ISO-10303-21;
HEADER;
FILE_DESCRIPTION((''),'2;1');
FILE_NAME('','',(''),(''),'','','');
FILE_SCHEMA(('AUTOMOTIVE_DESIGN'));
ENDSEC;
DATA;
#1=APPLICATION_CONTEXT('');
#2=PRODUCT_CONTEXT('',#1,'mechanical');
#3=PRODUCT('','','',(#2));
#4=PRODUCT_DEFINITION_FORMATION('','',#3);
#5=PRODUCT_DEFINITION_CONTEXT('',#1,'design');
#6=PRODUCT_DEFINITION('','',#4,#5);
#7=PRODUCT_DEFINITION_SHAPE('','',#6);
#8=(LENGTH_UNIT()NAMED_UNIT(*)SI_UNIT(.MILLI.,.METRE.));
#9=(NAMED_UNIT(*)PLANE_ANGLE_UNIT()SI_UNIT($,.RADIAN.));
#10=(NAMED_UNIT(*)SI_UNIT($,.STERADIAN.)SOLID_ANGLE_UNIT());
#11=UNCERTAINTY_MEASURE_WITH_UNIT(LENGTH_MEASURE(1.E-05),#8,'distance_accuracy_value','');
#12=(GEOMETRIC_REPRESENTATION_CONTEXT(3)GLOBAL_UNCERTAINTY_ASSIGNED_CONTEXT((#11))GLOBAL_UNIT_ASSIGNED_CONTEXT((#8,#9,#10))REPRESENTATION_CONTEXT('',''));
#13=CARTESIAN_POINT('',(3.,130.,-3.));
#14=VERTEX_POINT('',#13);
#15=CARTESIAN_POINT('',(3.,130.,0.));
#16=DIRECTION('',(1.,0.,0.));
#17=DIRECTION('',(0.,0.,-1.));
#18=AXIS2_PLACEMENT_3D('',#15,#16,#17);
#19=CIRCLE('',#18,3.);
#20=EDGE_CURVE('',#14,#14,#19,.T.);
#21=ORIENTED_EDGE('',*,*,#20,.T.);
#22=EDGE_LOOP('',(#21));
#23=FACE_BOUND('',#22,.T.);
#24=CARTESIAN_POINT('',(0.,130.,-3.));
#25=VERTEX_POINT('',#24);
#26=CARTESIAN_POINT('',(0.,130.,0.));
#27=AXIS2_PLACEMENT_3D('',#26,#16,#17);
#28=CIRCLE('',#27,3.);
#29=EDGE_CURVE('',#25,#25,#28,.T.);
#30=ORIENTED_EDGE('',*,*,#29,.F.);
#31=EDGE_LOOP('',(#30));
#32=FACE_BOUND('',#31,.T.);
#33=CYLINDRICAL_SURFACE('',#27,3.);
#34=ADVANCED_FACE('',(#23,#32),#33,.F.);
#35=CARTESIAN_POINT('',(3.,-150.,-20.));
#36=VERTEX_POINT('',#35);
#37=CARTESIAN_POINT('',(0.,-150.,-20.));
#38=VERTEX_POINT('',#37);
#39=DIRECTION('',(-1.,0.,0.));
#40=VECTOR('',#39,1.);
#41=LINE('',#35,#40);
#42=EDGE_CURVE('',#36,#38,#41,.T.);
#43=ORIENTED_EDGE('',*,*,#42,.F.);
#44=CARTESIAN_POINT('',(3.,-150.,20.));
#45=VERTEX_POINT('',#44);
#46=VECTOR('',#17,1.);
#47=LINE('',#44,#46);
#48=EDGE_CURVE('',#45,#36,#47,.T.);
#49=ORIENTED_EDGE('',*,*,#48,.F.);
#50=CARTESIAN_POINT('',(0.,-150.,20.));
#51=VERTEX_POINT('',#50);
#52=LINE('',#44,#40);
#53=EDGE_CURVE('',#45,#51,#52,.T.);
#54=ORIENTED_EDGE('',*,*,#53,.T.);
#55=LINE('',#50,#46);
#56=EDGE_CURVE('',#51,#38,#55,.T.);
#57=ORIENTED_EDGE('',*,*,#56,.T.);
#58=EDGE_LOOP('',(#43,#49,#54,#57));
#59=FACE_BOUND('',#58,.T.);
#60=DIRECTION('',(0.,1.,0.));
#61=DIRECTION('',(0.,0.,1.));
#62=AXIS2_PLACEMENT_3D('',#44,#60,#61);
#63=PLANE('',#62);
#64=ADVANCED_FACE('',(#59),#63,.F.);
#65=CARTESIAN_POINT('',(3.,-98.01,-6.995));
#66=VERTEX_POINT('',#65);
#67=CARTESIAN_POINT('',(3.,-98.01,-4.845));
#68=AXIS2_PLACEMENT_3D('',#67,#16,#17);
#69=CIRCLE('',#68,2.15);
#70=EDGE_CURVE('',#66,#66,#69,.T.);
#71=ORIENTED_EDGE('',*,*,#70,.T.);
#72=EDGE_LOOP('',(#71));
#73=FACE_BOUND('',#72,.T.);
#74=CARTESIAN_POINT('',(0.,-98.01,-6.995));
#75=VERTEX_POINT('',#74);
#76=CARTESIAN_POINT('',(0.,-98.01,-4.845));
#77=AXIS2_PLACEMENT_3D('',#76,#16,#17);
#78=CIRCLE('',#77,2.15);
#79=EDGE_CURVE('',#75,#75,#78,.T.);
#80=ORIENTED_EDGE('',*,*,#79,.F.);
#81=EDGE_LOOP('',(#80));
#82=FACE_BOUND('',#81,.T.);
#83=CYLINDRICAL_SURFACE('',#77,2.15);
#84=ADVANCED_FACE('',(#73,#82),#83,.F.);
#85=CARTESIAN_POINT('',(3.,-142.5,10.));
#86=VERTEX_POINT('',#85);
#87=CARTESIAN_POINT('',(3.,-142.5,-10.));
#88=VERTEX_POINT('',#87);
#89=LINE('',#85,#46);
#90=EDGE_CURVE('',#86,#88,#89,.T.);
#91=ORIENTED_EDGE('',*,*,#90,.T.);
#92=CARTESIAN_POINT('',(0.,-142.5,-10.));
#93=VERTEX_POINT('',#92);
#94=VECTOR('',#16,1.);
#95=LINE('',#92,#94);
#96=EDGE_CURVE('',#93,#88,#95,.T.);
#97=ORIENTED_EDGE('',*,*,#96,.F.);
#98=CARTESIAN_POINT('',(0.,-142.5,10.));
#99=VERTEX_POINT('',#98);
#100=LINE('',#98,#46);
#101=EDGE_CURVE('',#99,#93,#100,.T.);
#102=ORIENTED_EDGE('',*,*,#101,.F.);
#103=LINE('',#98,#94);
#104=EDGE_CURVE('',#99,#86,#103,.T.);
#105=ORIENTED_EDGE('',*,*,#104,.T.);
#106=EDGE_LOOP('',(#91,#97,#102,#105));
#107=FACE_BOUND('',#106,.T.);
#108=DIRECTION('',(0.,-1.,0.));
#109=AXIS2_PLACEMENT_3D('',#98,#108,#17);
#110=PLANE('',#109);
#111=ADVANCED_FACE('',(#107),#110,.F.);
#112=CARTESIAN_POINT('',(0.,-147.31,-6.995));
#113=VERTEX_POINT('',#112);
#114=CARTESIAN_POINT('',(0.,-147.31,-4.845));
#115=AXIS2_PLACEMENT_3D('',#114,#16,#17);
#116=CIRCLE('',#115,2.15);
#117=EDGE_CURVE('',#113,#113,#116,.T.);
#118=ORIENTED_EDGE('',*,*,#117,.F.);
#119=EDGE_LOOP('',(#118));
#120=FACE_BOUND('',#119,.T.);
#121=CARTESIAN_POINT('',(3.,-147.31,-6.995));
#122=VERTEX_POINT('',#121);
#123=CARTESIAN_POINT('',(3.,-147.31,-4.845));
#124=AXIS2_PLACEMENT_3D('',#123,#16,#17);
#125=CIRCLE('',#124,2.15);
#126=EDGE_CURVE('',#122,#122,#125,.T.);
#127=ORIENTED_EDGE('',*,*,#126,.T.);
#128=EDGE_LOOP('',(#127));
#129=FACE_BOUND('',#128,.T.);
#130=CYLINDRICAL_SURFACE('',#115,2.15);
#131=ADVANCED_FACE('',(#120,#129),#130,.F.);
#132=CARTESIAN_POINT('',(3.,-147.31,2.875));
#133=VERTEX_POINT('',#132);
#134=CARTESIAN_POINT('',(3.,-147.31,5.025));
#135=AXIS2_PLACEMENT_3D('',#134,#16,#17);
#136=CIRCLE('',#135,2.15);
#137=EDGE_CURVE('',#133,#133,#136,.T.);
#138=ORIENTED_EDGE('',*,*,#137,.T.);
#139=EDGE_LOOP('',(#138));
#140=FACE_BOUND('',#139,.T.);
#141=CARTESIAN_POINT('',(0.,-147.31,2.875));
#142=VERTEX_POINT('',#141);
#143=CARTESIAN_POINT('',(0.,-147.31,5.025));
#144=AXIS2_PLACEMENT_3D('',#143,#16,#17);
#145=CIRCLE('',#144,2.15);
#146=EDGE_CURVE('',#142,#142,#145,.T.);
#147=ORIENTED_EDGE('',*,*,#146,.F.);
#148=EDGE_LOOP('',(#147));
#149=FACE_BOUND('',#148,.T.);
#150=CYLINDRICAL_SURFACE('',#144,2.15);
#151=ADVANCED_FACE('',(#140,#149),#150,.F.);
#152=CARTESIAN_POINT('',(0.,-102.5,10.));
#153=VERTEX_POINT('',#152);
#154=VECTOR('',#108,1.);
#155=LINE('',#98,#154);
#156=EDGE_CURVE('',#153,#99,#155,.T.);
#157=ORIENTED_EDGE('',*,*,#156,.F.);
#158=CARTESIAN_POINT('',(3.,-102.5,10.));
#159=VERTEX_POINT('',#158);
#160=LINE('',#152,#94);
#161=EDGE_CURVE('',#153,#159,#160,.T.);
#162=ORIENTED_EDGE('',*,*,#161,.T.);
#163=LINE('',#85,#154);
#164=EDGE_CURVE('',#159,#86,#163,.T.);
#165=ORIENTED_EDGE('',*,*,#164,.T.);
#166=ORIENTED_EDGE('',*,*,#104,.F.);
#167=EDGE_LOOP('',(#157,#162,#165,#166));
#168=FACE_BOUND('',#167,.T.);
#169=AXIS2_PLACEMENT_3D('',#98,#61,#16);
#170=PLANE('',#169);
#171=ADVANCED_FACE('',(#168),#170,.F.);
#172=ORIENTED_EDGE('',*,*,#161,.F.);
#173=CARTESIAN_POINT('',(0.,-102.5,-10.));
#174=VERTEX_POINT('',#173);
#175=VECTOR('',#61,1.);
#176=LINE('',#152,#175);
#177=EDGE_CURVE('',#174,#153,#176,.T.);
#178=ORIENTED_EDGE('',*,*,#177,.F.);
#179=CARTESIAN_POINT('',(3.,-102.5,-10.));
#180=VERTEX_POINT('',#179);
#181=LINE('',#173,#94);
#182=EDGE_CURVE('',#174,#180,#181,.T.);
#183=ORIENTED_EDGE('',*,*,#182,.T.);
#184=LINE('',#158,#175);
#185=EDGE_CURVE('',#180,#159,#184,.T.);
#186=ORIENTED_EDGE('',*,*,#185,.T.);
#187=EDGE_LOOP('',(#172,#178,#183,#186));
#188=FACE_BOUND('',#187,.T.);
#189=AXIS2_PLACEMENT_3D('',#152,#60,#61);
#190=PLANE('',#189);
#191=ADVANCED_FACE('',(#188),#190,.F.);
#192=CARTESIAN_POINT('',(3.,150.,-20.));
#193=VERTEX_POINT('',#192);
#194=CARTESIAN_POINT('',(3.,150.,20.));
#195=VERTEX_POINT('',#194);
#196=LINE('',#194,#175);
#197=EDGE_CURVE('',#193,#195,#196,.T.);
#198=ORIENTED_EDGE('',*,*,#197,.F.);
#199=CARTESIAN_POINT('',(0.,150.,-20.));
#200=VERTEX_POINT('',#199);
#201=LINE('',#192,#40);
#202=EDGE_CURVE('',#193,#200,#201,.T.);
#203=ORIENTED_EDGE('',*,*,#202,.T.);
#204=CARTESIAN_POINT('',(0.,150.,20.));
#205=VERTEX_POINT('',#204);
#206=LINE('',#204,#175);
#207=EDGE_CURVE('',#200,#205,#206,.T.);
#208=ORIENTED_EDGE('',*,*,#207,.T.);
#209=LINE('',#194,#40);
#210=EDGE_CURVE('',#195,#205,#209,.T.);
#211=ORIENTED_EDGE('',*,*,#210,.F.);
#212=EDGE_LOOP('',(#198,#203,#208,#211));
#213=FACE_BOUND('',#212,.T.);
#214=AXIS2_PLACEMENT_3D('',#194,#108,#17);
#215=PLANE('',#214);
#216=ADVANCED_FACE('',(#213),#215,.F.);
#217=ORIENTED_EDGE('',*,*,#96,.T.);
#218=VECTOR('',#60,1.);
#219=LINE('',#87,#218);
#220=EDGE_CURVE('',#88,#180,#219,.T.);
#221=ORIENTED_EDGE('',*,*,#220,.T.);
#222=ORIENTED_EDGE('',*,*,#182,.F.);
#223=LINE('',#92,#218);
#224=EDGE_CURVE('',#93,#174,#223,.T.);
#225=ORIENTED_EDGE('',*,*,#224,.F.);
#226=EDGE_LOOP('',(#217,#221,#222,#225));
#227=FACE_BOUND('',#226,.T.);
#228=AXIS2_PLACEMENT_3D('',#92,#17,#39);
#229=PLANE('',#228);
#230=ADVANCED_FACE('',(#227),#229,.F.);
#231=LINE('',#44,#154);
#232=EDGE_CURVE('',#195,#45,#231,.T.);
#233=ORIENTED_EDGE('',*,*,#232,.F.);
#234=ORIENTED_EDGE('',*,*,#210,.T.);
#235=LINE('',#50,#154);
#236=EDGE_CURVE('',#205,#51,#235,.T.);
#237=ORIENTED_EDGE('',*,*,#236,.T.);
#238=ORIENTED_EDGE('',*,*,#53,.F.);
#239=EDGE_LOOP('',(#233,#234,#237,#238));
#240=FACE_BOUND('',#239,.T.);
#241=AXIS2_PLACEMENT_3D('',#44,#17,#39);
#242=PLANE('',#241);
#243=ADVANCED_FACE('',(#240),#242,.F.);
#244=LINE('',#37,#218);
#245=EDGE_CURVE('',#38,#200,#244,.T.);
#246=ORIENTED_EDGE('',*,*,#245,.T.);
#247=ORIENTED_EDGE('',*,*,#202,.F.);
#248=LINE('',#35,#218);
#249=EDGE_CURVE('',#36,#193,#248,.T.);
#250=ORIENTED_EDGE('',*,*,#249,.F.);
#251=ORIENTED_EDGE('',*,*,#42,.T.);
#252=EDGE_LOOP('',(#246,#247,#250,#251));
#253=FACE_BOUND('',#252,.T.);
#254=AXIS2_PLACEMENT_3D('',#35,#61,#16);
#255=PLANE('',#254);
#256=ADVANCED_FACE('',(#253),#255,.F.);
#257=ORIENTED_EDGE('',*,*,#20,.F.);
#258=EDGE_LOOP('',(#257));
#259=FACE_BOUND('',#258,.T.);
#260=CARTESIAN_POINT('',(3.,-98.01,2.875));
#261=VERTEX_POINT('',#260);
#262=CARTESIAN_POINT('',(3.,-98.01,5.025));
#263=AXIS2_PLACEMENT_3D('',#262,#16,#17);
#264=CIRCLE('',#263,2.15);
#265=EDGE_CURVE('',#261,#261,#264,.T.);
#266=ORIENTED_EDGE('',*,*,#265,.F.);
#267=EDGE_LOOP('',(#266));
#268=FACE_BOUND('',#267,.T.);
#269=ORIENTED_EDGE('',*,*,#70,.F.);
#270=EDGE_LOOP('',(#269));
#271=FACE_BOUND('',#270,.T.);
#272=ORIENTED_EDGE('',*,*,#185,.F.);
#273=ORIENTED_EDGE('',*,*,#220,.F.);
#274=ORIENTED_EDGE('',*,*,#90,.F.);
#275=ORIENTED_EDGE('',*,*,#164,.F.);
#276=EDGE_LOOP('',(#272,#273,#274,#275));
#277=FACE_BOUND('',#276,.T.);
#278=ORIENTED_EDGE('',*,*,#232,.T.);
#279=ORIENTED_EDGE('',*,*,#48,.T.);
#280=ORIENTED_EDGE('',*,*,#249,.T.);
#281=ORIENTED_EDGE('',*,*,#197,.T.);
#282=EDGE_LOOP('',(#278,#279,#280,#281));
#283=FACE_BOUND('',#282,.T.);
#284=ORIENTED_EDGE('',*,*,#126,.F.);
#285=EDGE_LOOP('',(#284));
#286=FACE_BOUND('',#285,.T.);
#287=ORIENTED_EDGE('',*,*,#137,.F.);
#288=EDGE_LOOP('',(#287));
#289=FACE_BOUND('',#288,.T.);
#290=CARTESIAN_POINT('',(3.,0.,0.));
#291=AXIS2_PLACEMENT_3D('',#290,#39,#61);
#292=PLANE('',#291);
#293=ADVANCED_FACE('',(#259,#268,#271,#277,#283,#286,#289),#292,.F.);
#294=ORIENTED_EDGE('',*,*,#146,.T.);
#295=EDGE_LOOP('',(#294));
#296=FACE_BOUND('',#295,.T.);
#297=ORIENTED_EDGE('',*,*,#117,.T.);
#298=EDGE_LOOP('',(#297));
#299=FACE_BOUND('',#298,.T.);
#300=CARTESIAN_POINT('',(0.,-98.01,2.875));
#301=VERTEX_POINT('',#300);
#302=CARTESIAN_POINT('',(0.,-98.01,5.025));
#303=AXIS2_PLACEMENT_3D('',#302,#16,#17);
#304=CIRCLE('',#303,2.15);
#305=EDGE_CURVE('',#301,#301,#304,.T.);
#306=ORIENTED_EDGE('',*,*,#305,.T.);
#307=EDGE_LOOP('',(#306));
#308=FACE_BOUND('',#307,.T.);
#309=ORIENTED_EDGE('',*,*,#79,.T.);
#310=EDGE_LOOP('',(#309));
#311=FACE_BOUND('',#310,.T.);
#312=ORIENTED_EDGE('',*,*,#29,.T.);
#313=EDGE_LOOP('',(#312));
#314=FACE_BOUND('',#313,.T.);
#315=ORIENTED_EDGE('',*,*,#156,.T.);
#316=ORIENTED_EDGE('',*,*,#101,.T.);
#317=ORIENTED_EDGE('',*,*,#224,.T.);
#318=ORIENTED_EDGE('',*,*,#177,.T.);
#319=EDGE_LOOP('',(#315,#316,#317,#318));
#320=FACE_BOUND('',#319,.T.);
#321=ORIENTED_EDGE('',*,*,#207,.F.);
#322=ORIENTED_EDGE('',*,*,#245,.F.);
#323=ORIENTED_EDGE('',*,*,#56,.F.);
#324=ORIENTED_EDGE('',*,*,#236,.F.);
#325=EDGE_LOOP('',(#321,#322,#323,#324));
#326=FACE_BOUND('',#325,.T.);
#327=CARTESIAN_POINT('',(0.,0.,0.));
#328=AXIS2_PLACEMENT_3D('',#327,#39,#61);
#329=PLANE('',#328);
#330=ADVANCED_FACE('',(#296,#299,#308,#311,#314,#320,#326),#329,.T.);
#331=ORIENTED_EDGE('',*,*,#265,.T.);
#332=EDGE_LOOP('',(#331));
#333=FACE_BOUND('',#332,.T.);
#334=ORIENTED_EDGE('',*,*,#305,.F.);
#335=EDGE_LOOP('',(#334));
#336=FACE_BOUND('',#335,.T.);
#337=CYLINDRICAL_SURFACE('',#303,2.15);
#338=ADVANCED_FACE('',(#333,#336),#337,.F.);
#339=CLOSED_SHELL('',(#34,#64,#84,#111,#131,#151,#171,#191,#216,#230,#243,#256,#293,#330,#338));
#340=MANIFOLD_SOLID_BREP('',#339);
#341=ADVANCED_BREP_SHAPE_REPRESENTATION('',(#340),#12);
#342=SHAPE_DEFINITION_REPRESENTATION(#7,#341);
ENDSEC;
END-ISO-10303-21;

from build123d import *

# Parameters (mm, degrees)
SKETCH1_W           = 40
SKETCH1_H           = 300
BOSS_EXTRUDE1_DEPTH = 3
SKETCH2_R           = 3
CUT_EXTRUDE1_DEPTH  = 3
SKETCH3_R           = 2.15
SKETCH3_W           = 20
SKETCH3_H           = 40
CUT_EXTRUDE2_DEPTH  = 3


with BuildPart() as part:
    # Sketch1 → Boss-Extrude1 (new body)
    with BuildSketch(Plane(origin=(0, 0, 0), x_dir=(0, 0, -1), z_dir=(1, 0, 0))):
        Rectangle(SKETCH1_W, SKETCH1_H)
    extrude(amount=BOSS_EXTRUDE1_DEPTH)

    # Sketch2 → Cut-Extrude1 (cut)
    with BuildSketch(Plane(origin=(3, 0, 0), x_dir=(0, 0, -1), z_dir=(1, 0, 0))):
        with Locations((0, 130)):
            Circle(SKETCH2_R)
    extrude(amount=-CUT_EXTRUDE1_DEPTH, mode=Mode.SUBTRACT)

    # Sketch3 → Cut-Extrude2 (cut)
    with BuildSketch(Plane(origin=(3, 0, 0), x_dir=(0, 0, -1), z_dir=(1, 0, 0))):
        with Locations((-5.025, -147.31)):
            Circle(SKETCH3_R)
        with Locations((4.845, -147.31)):
            Circle(SKETCH3_R)
        with Locations((-5.025, -98.01)):
            Circle(SKETCH3_R)
        with Locations((4.845, -98.01)):
            Circle(SKETCH3_R)
        with Locations((0, -122.5)):
            Rectangle(SKETCH3_W, SKETCH3_H)
    extrude(amount=-CUT_EXTRUDE2_DEPTH, mode=Mode.SUBTRACT)


solid = part.part
